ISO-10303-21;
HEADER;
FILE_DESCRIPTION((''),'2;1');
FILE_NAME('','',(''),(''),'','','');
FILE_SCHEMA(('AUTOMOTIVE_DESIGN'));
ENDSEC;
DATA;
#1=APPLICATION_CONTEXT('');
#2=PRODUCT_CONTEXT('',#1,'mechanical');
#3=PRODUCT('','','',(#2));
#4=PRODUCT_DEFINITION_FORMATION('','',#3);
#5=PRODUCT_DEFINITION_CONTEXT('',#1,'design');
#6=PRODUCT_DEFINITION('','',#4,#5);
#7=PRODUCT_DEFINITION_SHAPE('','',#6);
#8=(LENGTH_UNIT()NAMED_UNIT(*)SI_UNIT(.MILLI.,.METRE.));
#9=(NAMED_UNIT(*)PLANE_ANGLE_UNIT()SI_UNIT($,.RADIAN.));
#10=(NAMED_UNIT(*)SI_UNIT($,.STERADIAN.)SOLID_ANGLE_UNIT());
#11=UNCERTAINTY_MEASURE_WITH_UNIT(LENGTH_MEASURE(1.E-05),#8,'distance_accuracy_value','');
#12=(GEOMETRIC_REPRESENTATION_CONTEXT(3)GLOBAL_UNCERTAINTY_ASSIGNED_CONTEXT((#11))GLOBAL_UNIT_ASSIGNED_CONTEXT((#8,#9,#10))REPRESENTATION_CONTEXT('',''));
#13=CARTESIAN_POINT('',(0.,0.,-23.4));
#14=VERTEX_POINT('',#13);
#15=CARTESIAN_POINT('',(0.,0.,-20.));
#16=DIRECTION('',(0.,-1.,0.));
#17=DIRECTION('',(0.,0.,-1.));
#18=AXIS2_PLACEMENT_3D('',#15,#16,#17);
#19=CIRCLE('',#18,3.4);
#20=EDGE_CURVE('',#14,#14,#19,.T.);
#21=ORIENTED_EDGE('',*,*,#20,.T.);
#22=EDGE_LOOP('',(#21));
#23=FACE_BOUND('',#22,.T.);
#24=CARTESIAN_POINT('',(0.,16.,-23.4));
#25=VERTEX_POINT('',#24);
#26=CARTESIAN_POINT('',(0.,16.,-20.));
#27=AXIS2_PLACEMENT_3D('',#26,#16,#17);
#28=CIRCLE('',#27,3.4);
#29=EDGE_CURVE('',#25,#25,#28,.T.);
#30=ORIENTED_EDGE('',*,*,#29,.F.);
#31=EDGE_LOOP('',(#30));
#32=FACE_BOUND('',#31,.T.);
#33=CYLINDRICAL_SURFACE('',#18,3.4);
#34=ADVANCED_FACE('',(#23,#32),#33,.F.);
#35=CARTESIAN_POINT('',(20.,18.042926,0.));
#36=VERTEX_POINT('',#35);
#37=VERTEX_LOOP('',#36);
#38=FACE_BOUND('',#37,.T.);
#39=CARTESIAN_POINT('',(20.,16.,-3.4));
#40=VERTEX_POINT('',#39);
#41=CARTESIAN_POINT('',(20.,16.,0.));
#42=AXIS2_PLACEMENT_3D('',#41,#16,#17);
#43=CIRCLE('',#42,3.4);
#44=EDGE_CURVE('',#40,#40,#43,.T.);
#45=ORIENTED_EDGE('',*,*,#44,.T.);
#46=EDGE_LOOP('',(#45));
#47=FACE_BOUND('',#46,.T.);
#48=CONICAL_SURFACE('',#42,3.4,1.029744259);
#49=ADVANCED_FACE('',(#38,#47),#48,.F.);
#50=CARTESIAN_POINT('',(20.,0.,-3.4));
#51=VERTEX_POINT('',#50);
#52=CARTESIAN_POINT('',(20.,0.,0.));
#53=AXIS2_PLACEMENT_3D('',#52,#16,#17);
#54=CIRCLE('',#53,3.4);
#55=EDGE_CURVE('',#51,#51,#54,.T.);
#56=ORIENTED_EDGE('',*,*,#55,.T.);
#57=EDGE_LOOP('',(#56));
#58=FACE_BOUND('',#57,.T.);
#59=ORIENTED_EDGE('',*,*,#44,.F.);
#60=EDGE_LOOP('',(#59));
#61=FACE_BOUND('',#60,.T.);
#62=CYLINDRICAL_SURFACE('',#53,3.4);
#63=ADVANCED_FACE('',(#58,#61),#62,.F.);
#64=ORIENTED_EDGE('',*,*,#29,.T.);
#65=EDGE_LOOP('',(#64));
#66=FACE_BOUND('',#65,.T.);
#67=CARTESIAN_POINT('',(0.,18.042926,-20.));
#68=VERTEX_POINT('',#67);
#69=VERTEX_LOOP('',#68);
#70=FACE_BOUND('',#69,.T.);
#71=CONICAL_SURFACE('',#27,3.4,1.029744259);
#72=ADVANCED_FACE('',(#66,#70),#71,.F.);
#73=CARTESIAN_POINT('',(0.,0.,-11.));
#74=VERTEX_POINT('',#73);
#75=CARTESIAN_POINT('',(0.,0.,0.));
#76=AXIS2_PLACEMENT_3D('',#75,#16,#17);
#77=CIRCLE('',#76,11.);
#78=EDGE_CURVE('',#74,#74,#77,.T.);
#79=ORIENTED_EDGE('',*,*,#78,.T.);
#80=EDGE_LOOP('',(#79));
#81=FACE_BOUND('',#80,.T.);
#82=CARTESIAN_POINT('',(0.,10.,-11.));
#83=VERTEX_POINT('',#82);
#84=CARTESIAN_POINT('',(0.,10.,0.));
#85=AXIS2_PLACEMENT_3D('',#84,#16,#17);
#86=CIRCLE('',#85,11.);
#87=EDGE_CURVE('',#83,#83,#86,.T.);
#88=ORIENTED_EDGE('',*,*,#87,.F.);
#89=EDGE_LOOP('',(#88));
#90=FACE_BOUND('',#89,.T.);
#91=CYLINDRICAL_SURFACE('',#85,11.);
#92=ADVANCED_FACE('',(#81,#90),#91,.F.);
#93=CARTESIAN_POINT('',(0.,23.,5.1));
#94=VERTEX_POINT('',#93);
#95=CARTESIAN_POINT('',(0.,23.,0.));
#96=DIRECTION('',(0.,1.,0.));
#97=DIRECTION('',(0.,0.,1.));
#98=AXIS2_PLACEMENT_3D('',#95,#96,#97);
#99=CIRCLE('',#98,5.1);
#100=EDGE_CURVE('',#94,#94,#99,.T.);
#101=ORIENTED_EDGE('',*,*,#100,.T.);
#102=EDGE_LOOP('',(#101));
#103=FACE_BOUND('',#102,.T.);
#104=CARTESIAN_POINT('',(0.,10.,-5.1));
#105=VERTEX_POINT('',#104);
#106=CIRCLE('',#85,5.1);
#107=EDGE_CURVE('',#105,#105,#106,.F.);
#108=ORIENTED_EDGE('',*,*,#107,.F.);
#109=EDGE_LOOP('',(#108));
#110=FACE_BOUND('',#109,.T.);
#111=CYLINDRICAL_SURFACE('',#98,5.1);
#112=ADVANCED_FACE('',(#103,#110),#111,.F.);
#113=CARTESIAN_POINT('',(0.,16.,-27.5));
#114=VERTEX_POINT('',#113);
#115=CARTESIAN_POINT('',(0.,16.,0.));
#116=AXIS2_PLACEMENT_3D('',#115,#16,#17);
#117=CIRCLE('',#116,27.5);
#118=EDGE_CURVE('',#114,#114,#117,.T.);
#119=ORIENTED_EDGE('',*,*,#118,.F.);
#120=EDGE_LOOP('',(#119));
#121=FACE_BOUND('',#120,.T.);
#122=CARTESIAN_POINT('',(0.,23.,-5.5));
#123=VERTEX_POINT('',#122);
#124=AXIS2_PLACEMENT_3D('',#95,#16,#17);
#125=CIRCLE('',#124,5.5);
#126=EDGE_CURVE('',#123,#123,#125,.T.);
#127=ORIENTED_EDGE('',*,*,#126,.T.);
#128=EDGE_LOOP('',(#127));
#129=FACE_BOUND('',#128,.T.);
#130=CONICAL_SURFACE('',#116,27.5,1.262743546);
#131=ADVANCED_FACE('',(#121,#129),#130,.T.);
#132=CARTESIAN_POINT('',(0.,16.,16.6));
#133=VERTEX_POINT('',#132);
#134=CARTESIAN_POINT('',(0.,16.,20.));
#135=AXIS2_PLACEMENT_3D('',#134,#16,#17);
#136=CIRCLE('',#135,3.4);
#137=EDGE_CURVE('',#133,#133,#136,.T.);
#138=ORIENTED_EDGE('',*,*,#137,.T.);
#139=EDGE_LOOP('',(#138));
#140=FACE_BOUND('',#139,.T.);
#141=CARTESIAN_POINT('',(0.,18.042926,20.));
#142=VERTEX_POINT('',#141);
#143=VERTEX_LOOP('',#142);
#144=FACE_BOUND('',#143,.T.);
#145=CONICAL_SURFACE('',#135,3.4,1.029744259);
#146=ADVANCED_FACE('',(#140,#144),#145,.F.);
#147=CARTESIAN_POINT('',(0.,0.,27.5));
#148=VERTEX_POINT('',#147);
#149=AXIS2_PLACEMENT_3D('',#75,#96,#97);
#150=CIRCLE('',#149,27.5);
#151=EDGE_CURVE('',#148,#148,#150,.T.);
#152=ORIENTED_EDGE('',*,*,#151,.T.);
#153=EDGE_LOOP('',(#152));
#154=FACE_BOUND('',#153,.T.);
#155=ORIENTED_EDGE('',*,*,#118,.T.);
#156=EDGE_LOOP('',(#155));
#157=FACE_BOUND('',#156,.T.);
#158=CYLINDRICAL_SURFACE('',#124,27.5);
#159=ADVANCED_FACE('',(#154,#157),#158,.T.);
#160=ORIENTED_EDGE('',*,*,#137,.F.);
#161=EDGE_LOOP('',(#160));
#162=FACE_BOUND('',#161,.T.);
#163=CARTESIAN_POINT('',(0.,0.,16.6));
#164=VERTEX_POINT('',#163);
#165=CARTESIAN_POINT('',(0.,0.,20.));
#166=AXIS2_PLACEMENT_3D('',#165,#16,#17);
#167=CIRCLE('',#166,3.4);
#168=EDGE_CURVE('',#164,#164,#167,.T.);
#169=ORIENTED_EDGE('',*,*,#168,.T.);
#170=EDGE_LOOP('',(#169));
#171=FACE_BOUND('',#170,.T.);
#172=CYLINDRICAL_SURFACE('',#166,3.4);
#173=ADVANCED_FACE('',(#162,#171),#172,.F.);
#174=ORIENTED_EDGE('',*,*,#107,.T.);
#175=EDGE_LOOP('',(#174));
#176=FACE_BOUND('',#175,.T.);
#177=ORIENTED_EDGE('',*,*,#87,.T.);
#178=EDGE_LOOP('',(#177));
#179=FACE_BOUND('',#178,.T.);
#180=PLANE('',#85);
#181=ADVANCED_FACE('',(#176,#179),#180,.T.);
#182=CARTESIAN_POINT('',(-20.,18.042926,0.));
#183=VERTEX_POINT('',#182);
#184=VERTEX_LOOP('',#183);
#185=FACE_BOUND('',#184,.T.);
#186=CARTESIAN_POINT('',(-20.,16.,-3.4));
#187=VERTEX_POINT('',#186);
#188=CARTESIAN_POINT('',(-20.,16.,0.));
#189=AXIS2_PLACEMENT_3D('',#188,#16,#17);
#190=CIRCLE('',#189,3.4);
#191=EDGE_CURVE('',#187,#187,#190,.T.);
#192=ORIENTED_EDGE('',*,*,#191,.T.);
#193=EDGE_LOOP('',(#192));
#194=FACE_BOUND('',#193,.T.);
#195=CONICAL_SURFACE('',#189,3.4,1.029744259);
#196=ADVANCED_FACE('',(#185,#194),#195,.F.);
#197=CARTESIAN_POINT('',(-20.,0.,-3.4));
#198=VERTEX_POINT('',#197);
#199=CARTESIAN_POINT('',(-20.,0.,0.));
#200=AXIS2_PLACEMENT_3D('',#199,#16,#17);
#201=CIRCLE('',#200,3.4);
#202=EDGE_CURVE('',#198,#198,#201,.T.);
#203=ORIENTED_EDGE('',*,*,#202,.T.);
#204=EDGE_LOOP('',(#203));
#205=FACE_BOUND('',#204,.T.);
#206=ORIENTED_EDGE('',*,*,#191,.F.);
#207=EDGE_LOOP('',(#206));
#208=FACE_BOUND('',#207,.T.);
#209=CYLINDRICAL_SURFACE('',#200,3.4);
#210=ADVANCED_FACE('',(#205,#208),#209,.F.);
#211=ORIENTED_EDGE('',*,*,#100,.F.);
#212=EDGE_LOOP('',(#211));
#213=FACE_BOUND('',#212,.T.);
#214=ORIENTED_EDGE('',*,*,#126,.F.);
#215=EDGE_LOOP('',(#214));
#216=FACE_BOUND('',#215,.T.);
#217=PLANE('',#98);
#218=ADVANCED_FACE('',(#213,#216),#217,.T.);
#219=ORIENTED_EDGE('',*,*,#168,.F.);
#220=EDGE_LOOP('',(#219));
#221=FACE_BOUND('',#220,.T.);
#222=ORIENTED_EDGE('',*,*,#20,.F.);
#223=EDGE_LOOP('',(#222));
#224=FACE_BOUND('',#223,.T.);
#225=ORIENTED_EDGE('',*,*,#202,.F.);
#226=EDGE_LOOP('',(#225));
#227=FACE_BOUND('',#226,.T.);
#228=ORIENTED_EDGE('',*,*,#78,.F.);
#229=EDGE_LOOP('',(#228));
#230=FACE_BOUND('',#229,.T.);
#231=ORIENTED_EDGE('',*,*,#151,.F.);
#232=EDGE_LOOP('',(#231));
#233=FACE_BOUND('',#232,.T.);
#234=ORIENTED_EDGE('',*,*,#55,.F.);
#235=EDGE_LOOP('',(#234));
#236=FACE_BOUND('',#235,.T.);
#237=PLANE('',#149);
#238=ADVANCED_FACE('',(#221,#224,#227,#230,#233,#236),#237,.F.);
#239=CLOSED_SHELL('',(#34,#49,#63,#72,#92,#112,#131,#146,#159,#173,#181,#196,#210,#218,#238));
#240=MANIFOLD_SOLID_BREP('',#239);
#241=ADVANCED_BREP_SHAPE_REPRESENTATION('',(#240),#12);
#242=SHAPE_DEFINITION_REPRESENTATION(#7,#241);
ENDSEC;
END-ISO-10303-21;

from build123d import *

# Parameters (mm, degrees)
SKETCH1_R                   = 27.5
BOSS_EXTRUDE1_DEPTH         = 23
M12X1_75_TAPPED_HOLE1_D     = 10.2
M12X1_75_TAPPED_HOLE1_DEPTH = 21
M12X1_75_TAPPED_HOLE1_TIP   = 3.064389157
SKETCH9_R                   = 11
CUT_EXTRUDE1_DEPTH          = 10
M8X1_25_TAPPED_HOLE1_D      = 6.8
M8X1_25_TAPPED_HOLE1_DEPTH  = 16
M8X1_25_TAPPED_HOLE1_TIP    = 2.042926105


with BuildPart() as part:
    # Sketch1 → Boss-Extrude1 (new body)
    with BuildSketch(Plane(origin=(0, 0, 0), x_dir=(1, 0, 0), z_dir=(0, 1, 0))):
        Circle(SKETCH1_R)
    extrude(amount=BOSS_EXTRUDE1_DEPTH)

    # Sketch3 → Cut-Revolve1 (revolve, cut)
    with BuildSketch(Plane(origin=(0, 0, 0), x_dir=(0, 0, -1), z_dir=(1, 0, 0))):
        Polygon((-27.5, 16), (-5.5, 23), (-27.5, 23), align=None)
    revolve(axis=Axis((0, 0, 0), (0, 1, 0)), mode=Mode.SUBTRACT)

    # M12x1.75 Tapped Hole1
    with Locations(Plane.ZX.offset(23)):
        with Locations((0, 0)):
            Hole(M12X1_75_TAPPED_HOLE1_D / 2, depth=M12X1_75_TAPPED_HOLE1_DEPTH)
            with Locations((0, 0, -(M12X1_75_TAPPED_HOLE1_DEPTH + M12X1_75_TAPPED_HOLE1_TIP / 2))):  # 118° drill point
                Cone(0, M12X1_75_TAPPED_HOLE1_D / 2, M12X1_75_TAPPED_HOLE1_TIP, mode=Mode.SUBTRACT)

    # Sketch9 → Cut-Extrude1 (cut)
    with BuildSketch(Plane.XZ):
        Circle(SKETCH9_R)
    extrude(amount=-CUT_EXTRUDE1_DEPTH, mode=Mode.SUBTRACT)

    # M8x1.25 Tapped Hole1
    with Locations(Plane(origin=(0, 0, 20), x_dir=(0, 0, -1), z_dir=(0, -1, 0))):
        with Locations((0, 0), (20, 20), (40, 0), (20, -20)):
            Hole(M8X1_25_TAPPED_HOLE1_D / 2, depth=M8X1_25_TAPPED_HOLE1_DEPTH)
            with Locations((0, 0, -(M8X1_25_TAPPED_HOLE1_DEPTH + M8X1_25_TAPPED_HOLE1_TIP / 2))):  # 118° drill point
                Cone(0, M8X1_25_TAPPED_HOLE1_D / 2, M8X1_25_TAPPED_HOLE1_TIP, mode=Mode.SUBTRACT)


solid = part.part
